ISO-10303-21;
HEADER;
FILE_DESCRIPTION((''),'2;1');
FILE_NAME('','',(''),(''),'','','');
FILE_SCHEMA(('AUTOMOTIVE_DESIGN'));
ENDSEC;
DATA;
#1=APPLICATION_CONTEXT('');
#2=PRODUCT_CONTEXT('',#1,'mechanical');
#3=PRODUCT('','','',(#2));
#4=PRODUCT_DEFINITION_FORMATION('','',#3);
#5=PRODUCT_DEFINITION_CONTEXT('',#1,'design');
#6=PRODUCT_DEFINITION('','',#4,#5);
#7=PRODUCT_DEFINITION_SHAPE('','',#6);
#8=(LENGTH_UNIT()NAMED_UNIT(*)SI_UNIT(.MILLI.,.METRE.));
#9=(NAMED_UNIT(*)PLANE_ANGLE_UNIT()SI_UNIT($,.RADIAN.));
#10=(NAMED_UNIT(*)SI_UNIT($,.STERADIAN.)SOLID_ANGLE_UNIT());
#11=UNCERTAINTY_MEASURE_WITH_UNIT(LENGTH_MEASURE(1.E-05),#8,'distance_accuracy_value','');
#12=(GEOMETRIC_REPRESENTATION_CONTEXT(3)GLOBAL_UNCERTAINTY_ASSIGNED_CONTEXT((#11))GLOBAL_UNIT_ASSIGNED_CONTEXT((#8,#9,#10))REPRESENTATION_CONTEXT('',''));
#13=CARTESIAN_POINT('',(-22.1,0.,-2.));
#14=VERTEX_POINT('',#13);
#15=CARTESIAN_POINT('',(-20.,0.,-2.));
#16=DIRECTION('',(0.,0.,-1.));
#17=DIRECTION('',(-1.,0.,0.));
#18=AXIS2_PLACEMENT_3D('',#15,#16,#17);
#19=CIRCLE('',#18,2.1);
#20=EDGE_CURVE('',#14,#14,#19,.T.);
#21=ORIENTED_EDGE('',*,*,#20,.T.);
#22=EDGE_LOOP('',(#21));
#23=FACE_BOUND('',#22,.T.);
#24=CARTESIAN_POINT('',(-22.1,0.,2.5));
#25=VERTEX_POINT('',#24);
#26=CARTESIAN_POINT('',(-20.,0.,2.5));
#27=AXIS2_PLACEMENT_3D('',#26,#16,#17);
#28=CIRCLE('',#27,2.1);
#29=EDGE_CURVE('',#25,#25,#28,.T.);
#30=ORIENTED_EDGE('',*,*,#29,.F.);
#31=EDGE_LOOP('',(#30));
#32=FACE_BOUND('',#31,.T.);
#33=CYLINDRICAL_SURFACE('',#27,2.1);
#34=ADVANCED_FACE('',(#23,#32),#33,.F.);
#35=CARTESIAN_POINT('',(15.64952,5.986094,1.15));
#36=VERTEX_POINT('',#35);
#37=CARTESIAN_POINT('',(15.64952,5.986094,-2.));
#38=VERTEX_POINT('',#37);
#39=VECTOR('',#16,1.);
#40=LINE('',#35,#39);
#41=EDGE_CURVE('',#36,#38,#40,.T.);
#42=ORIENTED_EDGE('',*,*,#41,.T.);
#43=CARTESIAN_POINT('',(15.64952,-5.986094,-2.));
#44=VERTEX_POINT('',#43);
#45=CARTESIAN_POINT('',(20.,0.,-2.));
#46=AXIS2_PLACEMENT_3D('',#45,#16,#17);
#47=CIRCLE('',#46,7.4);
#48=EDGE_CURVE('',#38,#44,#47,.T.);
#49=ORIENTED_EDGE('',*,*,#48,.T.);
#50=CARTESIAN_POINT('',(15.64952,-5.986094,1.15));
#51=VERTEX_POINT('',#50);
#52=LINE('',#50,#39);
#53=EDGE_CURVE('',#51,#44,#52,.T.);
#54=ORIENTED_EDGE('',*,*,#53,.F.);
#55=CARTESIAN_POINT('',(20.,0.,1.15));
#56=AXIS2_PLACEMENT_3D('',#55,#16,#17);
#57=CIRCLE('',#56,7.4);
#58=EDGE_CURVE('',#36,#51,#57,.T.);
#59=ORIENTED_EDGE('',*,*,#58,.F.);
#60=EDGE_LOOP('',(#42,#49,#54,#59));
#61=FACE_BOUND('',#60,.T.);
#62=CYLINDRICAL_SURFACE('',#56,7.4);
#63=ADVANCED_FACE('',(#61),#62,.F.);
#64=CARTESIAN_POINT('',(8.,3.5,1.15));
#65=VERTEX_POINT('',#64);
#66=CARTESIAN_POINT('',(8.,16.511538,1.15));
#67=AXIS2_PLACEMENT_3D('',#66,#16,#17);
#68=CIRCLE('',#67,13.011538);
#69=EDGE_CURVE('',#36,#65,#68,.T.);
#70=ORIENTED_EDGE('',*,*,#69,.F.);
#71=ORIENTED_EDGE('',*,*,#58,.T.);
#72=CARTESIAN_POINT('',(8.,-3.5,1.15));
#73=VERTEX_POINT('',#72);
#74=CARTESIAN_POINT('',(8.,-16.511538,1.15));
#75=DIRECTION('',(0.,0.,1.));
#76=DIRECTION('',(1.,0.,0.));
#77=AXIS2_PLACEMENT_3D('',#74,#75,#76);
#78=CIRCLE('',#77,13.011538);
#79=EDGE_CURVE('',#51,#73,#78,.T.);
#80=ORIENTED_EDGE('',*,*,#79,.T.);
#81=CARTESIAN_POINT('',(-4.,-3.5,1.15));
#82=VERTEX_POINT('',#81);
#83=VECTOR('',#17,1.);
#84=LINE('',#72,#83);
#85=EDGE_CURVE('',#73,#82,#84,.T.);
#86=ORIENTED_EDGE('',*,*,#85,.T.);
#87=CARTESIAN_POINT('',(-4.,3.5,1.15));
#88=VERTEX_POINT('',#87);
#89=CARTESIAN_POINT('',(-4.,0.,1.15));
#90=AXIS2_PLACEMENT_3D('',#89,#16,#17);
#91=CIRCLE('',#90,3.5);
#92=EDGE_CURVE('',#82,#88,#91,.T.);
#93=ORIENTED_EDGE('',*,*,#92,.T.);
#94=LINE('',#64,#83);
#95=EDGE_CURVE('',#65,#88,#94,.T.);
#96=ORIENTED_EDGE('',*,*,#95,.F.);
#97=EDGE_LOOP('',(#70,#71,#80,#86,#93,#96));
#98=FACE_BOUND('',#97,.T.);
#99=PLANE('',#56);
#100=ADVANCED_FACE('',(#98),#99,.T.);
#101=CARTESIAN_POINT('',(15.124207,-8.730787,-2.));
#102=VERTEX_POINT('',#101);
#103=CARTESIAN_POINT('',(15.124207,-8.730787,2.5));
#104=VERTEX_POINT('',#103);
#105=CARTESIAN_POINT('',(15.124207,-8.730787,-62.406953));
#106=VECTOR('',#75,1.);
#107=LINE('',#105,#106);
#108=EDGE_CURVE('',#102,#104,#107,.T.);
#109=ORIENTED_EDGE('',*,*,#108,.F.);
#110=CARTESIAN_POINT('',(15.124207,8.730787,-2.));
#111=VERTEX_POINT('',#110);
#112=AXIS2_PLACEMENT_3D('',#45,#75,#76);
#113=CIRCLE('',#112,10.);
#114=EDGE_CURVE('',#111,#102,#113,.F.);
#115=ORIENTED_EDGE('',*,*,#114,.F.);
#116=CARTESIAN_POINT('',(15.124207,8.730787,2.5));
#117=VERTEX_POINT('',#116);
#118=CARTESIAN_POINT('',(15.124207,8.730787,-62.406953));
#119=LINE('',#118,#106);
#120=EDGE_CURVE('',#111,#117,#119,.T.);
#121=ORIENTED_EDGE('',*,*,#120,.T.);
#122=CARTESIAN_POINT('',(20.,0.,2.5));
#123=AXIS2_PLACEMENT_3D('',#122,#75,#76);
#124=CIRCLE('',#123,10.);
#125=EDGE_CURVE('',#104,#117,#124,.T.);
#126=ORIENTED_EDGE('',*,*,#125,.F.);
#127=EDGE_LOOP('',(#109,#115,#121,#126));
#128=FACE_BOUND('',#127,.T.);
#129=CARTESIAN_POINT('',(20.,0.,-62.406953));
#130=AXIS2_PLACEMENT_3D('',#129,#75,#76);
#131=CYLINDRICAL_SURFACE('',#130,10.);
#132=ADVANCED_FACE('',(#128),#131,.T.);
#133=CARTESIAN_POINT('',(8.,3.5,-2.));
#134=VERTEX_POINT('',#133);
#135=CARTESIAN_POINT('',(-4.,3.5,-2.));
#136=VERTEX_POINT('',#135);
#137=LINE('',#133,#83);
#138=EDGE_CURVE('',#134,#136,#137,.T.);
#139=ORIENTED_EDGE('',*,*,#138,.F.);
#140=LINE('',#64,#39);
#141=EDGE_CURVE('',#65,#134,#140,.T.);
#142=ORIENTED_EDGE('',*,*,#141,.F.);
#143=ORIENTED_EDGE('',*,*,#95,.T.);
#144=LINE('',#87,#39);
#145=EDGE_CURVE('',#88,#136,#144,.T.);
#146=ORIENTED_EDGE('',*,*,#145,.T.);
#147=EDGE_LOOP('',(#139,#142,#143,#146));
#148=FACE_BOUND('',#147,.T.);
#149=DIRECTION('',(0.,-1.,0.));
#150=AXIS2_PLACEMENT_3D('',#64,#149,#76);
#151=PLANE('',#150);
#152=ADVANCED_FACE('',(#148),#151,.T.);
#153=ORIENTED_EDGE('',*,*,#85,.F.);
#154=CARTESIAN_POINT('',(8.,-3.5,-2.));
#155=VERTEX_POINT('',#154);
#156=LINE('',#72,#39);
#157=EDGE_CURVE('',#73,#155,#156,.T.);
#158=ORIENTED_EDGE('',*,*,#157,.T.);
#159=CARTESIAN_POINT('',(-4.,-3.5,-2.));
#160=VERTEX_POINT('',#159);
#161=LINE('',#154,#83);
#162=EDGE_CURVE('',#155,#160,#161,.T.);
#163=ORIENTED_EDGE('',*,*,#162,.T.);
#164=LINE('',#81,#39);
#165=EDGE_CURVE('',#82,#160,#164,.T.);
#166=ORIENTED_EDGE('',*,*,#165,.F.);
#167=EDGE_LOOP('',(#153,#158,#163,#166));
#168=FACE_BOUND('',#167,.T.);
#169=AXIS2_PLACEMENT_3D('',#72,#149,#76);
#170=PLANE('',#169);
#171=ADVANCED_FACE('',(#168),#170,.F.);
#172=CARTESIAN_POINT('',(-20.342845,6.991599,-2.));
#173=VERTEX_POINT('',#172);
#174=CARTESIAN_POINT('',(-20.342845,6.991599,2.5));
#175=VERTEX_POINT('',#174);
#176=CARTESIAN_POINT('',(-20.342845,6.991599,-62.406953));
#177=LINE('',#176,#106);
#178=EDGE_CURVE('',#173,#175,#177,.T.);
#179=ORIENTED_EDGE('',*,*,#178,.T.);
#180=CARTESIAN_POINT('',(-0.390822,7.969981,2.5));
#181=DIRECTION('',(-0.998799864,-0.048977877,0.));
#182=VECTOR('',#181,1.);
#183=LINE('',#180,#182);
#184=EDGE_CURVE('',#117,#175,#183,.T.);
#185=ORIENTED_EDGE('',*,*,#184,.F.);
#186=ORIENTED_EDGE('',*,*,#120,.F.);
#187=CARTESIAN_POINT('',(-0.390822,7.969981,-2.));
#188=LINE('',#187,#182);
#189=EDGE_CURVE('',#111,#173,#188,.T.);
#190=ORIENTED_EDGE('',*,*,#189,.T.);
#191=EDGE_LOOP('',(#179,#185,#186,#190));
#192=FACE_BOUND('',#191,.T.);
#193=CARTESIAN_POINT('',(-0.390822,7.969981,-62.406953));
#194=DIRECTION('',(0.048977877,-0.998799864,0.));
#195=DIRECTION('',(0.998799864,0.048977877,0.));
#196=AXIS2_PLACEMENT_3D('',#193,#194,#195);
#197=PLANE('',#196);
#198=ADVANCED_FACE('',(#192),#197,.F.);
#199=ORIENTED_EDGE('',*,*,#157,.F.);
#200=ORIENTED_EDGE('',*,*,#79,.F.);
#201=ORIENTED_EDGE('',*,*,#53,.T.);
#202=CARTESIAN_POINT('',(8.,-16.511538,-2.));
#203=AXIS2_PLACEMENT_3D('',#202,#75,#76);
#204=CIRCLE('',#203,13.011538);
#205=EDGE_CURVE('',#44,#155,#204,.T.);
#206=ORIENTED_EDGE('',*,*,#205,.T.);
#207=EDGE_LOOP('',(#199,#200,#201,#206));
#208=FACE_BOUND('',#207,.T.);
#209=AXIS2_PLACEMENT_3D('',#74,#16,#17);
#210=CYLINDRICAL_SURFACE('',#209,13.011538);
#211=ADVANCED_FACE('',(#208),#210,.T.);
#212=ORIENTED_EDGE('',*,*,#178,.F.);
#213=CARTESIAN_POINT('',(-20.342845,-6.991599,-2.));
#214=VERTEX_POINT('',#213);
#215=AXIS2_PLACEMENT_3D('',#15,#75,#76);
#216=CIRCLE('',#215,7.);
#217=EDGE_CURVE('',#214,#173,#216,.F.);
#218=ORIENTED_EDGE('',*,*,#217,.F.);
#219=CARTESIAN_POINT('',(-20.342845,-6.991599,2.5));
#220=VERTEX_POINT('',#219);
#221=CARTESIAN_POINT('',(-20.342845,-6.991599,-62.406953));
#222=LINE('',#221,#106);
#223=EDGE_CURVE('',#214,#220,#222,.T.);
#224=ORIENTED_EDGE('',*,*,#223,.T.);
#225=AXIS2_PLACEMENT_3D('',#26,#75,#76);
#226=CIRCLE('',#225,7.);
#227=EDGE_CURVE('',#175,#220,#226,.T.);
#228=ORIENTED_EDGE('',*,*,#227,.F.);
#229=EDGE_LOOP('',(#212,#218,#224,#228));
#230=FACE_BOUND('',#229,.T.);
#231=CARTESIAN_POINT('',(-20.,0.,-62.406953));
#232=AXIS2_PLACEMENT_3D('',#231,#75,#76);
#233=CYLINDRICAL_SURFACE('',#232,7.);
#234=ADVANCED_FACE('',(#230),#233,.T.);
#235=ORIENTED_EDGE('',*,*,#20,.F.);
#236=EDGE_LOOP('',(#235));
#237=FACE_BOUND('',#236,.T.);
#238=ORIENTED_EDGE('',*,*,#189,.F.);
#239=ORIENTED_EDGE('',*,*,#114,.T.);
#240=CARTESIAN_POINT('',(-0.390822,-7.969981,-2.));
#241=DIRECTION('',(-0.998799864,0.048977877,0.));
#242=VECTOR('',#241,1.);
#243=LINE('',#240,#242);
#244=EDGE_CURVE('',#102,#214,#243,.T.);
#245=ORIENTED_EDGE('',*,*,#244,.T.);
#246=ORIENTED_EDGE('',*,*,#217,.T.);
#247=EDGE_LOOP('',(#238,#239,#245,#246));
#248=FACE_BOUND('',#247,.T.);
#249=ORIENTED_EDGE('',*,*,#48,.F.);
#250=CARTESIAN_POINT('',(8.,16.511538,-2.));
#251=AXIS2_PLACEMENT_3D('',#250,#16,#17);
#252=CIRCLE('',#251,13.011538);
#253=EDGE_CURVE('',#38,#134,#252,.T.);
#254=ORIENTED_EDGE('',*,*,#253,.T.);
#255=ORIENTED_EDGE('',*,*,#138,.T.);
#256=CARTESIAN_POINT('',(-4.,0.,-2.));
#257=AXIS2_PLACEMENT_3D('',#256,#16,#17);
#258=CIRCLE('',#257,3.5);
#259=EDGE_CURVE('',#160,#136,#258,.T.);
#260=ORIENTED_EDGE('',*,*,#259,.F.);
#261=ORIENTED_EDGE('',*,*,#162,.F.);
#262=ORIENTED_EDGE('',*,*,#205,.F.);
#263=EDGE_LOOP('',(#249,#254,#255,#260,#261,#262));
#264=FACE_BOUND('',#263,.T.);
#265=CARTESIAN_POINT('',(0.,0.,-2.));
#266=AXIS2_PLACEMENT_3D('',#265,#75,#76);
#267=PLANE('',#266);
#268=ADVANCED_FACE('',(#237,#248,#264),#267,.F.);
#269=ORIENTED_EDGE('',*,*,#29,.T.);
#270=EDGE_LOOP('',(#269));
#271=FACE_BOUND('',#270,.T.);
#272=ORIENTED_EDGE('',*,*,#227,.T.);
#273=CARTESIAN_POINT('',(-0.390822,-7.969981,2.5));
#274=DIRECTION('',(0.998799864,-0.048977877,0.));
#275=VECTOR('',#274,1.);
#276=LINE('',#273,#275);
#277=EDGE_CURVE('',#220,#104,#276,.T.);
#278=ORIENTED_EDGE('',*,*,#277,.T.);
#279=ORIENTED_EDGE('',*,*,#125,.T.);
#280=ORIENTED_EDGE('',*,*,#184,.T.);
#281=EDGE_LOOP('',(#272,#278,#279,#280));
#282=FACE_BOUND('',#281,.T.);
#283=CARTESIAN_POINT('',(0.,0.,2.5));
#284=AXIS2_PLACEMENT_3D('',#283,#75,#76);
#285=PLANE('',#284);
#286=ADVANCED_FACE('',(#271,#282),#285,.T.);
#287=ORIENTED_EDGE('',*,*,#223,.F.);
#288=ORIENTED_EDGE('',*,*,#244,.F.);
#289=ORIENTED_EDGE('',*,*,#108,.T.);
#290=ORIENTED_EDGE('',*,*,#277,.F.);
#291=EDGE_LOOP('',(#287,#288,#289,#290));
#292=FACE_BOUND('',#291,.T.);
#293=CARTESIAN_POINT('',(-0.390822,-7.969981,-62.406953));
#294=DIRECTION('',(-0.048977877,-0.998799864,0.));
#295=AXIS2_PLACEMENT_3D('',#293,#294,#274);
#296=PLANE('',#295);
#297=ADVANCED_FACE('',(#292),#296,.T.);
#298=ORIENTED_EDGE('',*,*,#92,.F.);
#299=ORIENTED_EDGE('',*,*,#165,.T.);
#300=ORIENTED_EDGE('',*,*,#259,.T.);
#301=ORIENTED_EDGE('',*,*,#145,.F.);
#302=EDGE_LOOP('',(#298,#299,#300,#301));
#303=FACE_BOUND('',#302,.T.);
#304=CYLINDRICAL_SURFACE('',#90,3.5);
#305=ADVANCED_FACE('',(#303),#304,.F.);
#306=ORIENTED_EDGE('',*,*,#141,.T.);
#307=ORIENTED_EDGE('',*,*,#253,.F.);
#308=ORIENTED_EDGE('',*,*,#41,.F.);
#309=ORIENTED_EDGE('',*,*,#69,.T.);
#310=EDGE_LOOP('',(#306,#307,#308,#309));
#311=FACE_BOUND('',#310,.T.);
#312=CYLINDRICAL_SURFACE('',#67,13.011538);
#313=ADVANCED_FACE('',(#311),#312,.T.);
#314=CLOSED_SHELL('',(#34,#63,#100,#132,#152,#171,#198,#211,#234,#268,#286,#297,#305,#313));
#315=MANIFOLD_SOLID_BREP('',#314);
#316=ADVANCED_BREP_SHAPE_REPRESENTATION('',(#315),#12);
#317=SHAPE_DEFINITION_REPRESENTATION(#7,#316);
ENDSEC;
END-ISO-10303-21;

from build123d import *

# Parameters (mm, degrees)
BOSS_EXTRUDE1_DEPTH = 2
BOSS_EXTRUDE2_DEPTH = 4
CUT_EXTRUDE3_DEPTH  = 3.15
BOSS_EXTRUDE3_START = 0.5
BOSS_EXTRUDE3_DEPTH = 0.5
SKETCH8_R           = 2.1
CUT_EXTRUDE4_DEPTH  = 32.941352507


with BuildPart() as part:
    # Sketch1 → Boss-Extrude1 (new, symmetric)
    with BuildSketch(Plane.XY):
        with BuildLine():
            Line((16, 3), (-16, 3))
            ThreePointArc((-16, 3), (-25, 0), (-16, -3))
            Line((-16, -3), (16, -3))
            ThreePointArc((16, -3), (25, 0), (16, 3))
        make_face()
    extrude(amount=BOSS_EXTRUDE1_DEPTH, both=True)

    # Sketch3 → Boss-Extrude2 (add)
    with BuildSketch(Plane.XY.offset(2)):
        with BuildLine():
            ThreePointArc((-20.342845142, 6.991599045), (-27, 0), (-20.342845142, -6.991599045))
            Line((-20.342845142, -6.991599045), (15.124207365, -8.73078726))
            ThreePointArc((15.124207365, -8.73078726), (30, 0), (15.124207365, 8.73078726))
            Line((15.124207365, 8.73078726), (-20.342845142, 6.991599045))
        make_face()
        with BuildLine():
            ThreePointArc((-16, -3), (-25, 0), (-16, 3))
            Line((-16, 3), (16, 3))
            ThreePointArc((16, 3), (25, 0), (16, -3))
            Line((16, -3), (-16, -3))
        make_face(mode=Mode.SUBTRACT)
    extrude(amount=-BOSS_EXTRUDE2_DEPTH)

    # Sketch6 → Cut-Extrude3 (cut)
    with BuildSketch(Plane(origin=(0, 0, -2), x_dir=(-1, 0, 0), z_dir=(0, 0, -1))):
        with BuildLine():
            Line((-8, -3.5), (4, -3.5))
            ThreePointArc((4, -3.5), (7.5, 0), (4, 3.5))
            Line((4, 3.5), (-8, 3.5))
            ThreePointArc((-8, 3.5), (-12.021685318, 4.137122098), (-15.649519503, 5.986093838))
            ThreePointArc((-15.649519503, 5.986093838), (-27.4, 0), (-15.649519503, -5.986093838))
            ThreePointArc((-15.649519503, -5.986093838), (-12.021685318, -4.137122098), (-8, -3.5))
        make_face()
    extrude(amount=-CUT_EXTRUDE3_DEPTH, mode=Mode.SUBTRACT)

    # Sketch7 → Boss-Extrude3 (add)
    with BuildSketch(Plane.XY.offset(2).offset(BOSS_EXTRUDE3_START)):
        with BuildLine():
            ThreePointArc((-20.342845142, 6.991599045), (-27, 0), (-20.342845142, -6.991599045))
            ThreePointArc((-20.342845142, -6.991599045), (-15.172988295, -5.0695126), (-13, 0))
            ThreePointArc((-13, 0), (-15.172988295, 5.0695126), (-20.342845142, 6.991599045))
        make_face()
        with BuildLine():
            ThreePointArc((-13, 0), (-15.172988295, -5.0695126), (-20.342845142, -6.991599045))
            Line((-20.342845142, -6.991599045), (15.124207365, -8.73078726))
            ThreePointArc((15.124207365, -8.73078726), (10, 0), (15.124207365, 8.73078726))
            Line((15.124207365, 8.73078726), (-20.342845142, 6.991599045))
            ThreePointArc((-20.342845142, 6.991599045), (-15.172988295, 5.0695126), (-13, 0))
        make_face()
        with BuildLine():
            ThreePointArc((15.124207365, 8.73078726), (10, 0), (15.124207365, -8.73078726))
            ThreePointArc((15.124207365, -8.73078726), (25.061722713, -8.624323926), (30, 0))
            ThreePointArc((30, 0), (25.061722713, 8.624323926), (15.124207365, 8.73078726))
        make_face()
    extrude(amount=-BOSS_EXTRUDE3_DEPTH)

    # Sketch8 → Cut-Extrude4 (cut, through all)
    with BuildSketch(Plane(origin=(0, 0, -2), x_dir=(-1, 0, 0), z_dir=(0, 0, -1))):
        with Locations((20, 0)):
            Circle(SKETCH8_R)
    extrude(amount=-CUT_EXTRUDE4_DEPTH, mode=Mode.SUBTRACT)


solid = part.part
